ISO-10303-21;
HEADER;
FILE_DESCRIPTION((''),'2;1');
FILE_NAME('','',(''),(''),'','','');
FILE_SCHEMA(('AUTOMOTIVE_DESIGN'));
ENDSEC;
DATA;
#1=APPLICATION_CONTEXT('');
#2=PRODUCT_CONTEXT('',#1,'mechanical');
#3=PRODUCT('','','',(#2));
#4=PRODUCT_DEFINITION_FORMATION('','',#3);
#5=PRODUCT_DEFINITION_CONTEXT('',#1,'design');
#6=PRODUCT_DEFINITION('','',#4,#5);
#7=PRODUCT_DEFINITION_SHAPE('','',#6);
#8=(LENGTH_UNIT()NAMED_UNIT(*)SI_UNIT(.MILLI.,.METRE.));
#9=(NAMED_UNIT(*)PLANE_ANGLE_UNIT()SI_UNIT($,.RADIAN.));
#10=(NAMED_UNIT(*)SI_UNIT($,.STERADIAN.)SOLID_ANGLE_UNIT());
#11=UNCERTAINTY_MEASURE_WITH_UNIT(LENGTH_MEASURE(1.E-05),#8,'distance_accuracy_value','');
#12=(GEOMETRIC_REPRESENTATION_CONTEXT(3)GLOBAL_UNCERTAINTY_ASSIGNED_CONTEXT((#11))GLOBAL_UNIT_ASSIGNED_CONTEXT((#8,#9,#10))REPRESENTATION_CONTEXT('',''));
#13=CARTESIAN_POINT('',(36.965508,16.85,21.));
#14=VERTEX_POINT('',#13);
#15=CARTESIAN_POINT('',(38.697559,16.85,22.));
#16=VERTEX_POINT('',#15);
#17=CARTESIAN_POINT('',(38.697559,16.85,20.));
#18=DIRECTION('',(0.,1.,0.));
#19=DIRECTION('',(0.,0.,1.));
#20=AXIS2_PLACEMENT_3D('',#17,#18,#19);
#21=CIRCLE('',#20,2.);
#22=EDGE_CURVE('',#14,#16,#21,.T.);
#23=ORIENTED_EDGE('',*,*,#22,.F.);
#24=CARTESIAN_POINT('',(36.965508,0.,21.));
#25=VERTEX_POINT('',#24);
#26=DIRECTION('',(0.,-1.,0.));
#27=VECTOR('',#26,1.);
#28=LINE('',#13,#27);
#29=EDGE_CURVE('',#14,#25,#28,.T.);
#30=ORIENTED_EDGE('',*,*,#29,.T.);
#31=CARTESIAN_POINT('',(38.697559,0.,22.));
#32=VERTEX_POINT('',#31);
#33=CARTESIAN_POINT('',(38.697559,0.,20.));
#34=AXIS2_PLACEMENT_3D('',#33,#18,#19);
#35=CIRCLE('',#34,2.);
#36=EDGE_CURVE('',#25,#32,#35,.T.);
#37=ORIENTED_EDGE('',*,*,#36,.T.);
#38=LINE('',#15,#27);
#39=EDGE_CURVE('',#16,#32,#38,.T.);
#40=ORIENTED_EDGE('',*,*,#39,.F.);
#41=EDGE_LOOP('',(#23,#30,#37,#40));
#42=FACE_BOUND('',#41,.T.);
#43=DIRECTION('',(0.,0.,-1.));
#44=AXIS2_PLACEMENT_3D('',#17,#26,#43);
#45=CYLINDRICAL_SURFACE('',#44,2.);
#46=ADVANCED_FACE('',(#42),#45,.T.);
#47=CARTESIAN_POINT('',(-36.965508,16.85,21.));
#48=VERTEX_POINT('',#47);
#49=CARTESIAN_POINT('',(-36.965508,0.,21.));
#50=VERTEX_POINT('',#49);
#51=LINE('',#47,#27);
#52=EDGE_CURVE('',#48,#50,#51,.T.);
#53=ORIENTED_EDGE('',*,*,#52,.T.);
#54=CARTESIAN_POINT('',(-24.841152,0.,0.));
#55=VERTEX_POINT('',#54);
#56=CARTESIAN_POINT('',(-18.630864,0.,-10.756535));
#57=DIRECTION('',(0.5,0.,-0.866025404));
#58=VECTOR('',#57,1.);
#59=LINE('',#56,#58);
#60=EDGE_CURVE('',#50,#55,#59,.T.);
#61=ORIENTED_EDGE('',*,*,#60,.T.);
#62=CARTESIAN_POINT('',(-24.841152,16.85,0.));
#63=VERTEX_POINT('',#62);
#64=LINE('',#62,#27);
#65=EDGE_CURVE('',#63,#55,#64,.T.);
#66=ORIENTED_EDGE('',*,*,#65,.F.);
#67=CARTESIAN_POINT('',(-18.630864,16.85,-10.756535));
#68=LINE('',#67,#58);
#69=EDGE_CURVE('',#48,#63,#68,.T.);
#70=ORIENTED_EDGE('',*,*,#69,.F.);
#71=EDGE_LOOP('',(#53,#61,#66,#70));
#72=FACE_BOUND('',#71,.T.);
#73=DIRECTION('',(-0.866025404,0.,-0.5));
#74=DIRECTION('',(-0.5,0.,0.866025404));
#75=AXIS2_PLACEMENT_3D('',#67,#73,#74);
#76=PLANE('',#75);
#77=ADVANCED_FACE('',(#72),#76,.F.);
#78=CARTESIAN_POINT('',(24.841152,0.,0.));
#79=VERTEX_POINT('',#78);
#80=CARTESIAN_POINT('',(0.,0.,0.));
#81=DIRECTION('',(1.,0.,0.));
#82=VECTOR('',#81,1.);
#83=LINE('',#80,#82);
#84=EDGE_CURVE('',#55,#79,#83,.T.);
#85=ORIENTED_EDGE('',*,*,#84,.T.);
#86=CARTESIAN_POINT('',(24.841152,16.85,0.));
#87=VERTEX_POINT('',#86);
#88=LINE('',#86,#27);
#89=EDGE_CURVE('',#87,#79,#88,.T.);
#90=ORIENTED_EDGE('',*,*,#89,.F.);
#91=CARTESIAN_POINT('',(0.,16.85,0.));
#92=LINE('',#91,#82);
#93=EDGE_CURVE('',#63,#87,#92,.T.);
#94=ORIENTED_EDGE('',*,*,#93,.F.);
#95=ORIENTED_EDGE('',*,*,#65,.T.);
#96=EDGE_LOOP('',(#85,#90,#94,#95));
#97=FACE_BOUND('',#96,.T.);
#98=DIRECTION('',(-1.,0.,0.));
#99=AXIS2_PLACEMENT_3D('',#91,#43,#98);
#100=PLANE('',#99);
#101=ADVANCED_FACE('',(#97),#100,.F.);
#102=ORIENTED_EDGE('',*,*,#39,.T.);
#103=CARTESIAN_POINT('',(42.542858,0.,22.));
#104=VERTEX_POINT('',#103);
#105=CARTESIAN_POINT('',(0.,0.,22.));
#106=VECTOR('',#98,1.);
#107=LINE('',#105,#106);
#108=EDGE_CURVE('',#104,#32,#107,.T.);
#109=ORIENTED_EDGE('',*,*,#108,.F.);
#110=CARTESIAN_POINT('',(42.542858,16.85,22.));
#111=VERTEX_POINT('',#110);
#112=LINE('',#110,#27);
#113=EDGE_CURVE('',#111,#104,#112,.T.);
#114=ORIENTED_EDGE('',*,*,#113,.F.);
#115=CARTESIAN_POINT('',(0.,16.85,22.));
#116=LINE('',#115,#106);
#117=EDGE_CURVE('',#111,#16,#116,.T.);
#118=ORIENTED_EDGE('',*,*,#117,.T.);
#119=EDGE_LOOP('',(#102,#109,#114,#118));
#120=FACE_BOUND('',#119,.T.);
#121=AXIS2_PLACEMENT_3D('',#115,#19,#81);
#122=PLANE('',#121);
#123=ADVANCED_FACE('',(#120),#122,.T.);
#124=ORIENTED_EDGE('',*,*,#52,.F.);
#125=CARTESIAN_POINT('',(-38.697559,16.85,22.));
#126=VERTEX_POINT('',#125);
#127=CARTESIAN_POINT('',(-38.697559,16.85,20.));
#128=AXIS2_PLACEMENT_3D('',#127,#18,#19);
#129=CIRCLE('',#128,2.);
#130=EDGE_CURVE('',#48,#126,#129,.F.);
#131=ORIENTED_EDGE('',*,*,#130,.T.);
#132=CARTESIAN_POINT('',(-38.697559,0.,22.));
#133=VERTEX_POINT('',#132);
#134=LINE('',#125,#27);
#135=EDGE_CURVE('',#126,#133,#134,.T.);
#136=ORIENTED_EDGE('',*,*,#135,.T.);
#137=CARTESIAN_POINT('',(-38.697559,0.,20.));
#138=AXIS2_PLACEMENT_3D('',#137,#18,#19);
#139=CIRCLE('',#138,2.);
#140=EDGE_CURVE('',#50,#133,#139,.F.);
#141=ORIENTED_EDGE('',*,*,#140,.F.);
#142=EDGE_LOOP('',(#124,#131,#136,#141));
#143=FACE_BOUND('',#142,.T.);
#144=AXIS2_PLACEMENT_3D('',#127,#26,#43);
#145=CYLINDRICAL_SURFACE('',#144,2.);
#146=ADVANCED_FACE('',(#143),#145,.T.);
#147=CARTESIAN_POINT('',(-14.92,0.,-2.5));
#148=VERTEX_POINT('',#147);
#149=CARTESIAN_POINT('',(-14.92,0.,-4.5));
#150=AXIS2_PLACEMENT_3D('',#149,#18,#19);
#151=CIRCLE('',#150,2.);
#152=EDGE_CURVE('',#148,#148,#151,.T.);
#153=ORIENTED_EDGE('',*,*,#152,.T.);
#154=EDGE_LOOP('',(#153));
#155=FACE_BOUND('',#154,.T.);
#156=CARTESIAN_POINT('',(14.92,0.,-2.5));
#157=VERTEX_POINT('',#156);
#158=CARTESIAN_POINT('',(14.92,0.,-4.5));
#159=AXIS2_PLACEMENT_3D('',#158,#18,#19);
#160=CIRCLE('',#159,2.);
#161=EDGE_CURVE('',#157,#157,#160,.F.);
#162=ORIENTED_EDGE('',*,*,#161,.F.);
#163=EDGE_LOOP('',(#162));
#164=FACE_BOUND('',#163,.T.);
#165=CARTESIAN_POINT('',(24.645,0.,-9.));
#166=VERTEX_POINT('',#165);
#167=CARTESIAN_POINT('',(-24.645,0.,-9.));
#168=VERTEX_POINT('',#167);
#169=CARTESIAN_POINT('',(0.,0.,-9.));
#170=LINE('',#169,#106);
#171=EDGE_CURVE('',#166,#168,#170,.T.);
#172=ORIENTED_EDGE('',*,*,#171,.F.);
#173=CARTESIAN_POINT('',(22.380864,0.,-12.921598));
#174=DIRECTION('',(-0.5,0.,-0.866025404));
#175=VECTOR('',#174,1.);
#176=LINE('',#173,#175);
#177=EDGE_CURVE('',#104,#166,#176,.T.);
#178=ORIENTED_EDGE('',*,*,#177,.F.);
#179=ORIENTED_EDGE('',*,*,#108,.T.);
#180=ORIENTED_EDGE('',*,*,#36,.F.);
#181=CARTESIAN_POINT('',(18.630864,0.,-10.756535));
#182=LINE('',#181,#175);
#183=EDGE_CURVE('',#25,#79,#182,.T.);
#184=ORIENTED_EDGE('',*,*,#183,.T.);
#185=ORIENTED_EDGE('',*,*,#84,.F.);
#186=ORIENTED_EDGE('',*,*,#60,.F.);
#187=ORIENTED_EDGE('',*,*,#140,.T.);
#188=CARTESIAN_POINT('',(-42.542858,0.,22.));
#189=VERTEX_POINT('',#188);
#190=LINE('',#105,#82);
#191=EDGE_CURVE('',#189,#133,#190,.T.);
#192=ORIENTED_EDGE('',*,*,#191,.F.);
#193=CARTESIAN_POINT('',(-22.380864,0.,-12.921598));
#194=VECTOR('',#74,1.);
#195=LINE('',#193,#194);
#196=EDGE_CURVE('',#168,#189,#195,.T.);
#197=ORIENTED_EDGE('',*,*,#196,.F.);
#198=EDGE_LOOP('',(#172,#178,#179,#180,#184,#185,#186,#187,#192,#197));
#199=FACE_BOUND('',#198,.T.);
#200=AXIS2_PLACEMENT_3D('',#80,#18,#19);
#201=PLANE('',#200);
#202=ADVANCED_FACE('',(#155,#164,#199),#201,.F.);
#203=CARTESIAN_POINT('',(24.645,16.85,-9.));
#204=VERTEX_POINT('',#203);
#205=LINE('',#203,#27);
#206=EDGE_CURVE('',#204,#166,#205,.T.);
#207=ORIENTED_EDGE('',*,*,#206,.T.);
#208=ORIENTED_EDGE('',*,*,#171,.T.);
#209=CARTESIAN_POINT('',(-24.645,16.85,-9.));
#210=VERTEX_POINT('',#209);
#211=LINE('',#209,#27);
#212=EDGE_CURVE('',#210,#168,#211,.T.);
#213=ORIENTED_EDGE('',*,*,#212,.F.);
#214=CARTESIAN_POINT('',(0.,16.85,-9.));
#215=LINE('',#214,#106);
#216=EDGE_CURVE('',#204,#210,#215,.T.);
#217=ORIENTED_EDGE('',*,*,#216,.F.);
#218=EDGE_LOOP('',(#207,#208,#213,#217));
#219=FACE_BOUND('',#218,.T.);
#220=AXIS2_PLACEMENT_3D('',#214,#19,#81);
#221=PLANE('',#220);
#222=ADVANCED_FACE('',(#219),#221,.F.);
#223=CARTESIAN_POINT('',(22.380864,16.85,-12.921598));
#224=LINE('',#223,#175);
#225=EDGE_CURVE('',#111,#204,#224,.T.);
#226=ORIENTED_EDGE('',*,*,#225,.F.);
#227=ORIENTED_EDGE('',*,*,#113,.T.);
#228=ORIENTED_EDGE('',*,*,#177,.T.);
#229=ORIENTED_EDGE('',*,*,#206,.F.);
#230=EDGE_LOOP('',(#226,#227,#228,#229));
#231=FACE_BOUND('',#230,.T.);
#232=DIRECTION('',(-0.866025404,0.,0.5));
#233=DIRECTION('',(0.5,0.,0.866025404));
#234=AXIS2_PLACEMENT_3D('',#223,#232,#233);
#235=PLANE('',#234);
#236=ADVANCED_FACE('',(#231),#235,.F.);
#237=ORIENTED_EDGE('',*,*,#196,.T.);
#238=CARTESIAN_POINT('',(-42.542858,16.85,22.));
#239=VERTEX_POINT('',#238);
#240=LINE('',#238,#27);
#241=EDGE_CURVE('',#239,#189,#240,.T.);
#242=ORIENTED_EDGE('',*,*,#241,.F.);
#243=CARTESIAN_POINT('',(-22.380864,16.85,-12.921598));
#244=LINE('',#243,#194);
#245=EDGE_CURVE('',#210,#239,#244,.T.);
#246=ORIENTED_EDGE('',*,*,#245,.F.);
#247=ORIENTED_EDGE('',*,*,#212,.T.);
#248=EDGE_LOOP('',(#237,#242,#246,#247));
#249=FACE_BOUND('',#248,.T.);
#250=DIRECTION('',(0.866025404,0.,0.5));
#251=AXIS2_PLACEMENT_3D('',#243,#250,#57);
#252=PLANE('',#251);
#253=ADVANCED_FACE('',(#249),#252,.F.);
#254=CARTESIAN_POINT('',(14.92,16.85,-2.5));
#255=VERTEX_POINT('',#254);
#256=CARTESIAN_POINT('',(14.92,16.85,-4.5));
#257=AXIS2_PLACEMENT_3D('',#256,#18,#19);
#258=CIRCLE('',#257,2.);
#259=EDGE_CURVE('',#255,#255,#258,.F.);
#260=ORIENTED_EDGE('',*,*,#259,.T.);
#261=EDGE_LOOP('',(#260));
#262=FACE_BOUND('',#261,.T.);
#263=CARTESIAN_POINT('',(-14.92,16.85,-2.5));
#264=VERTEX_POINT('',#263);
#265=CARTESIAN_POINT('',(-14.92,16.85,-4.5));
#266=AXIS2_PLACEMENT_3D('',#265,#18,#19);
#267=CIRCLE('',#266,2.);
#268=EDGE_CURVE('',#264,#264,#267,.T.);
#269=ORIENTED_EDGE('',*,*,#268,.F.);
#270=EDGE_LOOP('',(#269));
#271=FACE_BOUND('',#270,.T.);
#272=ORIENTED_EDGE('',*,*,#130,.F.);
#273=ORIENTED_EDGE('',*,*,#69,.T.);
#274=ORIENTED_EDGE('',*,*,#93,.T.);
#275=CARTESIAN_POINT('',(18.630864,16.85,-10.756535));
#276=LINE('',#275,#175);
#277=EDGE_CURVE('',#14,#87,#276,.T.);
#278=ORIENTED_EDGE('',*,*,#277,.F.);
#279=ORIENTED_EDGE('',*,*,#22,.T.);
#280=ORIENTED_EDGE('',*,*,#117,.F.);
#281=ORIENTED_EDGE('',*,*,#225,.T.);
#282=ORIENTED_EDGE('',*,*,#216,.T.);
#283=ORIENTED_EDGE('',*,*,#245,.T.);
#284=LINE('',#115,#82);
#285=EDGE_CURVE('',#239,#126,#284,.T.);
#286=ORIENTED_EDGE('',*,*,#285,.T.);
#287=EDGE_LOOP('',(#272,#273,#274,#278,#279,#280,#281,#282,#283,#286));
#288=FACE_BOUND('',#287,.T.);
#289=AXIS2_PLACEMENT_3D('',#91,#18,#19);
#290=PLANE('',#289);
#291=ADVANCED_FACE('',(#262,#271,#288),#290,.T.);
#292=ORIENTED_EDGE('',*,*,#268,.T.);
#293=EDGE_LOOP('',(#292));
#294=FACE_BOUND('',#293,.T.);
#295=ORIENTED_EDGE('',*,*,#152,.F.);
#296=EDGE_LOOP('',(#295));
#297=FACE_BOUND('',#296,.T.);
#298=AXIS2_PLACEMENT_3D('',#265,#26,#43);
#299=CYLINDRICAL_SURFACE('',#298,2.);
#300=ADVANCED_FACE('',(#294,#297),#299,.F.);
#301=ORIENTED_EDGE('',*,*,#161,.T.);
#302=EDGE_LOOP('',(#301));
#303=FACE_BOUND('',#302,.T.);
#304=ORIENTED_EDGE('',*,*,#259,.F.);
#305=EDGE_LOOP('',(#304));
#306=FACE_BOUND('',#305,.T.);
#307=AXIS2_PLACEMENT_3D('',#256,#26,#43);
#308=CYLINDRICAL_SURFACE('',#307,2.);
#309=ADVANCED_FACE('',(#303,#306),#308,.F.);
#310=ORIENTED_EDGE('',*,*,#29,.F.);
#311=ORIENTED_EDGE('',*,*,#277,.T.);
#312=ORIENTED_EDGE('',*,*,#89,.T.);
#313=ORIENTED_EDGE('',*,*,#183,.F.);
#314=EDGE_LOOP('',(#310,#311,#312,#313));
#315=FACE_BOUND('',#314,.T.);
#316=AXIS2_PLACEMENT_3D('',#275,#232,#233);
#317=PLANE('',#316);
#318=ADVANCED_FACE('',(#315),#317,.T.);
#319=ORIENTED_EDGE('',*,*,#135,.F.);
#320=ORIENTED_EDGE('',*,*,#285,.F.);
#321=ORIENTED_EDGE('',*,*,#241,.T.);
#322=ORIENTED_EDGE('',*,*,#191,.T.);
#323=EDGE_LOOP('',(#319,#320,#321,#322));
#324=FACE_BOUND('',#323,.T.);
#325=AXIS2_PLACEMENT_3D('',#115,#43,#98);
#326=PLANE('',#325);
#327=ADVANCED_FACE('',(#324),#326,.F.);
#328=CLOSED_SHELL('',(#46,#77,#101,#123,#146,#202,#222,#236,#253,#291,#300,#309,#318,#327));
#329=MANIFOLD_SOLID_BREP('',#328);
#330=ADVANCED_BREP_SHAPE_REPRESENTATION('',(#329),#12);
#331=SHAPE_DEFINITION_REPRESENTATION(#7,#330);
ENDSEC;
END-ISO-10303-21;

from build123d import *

# Parameters (mm, degrees)
SKETCH1_R           = 2
BOSS_EXTRUDE1_DEPTH = 16.85


with BuildPart() as part:
    # Sketch1 → Boss-Extrude1 (new body)
    # profile 1 of 4: a face of its own
    with BuildSketch(Plane(origin=(0, 0, 0), x_dir=(1, 0, 0), z_dir=(0, 1, 0))):
        Polygon((-24.645, 9), (-29.841152423, 0), (-24.841152423, 0), (0, 0), (0, 9), align=None)
        with Locations(Location((-14.92, 4.5, 0), (0, 0, 270))):
            Circle(SKETCH1_R, mode=Mode.SUBTRACT)
    # profile 2 of 4: a face of its own
    with BuildSketch(Plane(origin=(0, 0, 0), x_dir=(1, 0, 0), z_dir=(0, 1, 0))):
        Polygon((0, 9), (0, 0), (24.841152423, 0), (29.841152423, 0), (24.645, 9), align=None)
        with Locations(Location((14.92, 4.5, 0), (0, 0, 270))):
            Circle(SKETCH1_R, mode=Mode.SUBTRACT)
    # profile 3 of 4: a face of its own
    with BuildSketch(Plane(origin=(0, 0, 0), x_dir=(1, 0, 0), z_dir=(0, 1, 0))):
        with BuildLine():
            Line((-24.841152423, 0), (-29.841152423, 0))
            Line((-29.841152423, 0), (-42.542858345, -22))
            Line((-42.542858345, -22), (-38.697558883, -22))
            ThreePointArc((-38.697558883, -22), (-37.697558883, -21.732050808), (-36.965508076, -21))
            Line((-36.965508076, -21), (-24.841152423, 0))
        make_face()
    # profile 4 of 4: a face of its own
    with BuildSketch(Plane(origin=(0, 0, 0), x_dir=(1, 0, 0), z_dir=(0, 1, 0))):
        with BuildLine():
            Line((29.841152423, 0), (24.841152423, 0))
            Line((24.841152423, 0), (36.965508076, -21))
            ThreePointArc((36.965508076, -21), (37.697558883, -21.732050808), (38.697558883, -22))
            Line((38.697558883, -22), (42.542858345, -22))
            Line((42.542858345, -22), (29.841152423, 0))
        make_face()
    extrude(amount=BOSS_EXTRUDE1_DEPTH)


solid = part.part
